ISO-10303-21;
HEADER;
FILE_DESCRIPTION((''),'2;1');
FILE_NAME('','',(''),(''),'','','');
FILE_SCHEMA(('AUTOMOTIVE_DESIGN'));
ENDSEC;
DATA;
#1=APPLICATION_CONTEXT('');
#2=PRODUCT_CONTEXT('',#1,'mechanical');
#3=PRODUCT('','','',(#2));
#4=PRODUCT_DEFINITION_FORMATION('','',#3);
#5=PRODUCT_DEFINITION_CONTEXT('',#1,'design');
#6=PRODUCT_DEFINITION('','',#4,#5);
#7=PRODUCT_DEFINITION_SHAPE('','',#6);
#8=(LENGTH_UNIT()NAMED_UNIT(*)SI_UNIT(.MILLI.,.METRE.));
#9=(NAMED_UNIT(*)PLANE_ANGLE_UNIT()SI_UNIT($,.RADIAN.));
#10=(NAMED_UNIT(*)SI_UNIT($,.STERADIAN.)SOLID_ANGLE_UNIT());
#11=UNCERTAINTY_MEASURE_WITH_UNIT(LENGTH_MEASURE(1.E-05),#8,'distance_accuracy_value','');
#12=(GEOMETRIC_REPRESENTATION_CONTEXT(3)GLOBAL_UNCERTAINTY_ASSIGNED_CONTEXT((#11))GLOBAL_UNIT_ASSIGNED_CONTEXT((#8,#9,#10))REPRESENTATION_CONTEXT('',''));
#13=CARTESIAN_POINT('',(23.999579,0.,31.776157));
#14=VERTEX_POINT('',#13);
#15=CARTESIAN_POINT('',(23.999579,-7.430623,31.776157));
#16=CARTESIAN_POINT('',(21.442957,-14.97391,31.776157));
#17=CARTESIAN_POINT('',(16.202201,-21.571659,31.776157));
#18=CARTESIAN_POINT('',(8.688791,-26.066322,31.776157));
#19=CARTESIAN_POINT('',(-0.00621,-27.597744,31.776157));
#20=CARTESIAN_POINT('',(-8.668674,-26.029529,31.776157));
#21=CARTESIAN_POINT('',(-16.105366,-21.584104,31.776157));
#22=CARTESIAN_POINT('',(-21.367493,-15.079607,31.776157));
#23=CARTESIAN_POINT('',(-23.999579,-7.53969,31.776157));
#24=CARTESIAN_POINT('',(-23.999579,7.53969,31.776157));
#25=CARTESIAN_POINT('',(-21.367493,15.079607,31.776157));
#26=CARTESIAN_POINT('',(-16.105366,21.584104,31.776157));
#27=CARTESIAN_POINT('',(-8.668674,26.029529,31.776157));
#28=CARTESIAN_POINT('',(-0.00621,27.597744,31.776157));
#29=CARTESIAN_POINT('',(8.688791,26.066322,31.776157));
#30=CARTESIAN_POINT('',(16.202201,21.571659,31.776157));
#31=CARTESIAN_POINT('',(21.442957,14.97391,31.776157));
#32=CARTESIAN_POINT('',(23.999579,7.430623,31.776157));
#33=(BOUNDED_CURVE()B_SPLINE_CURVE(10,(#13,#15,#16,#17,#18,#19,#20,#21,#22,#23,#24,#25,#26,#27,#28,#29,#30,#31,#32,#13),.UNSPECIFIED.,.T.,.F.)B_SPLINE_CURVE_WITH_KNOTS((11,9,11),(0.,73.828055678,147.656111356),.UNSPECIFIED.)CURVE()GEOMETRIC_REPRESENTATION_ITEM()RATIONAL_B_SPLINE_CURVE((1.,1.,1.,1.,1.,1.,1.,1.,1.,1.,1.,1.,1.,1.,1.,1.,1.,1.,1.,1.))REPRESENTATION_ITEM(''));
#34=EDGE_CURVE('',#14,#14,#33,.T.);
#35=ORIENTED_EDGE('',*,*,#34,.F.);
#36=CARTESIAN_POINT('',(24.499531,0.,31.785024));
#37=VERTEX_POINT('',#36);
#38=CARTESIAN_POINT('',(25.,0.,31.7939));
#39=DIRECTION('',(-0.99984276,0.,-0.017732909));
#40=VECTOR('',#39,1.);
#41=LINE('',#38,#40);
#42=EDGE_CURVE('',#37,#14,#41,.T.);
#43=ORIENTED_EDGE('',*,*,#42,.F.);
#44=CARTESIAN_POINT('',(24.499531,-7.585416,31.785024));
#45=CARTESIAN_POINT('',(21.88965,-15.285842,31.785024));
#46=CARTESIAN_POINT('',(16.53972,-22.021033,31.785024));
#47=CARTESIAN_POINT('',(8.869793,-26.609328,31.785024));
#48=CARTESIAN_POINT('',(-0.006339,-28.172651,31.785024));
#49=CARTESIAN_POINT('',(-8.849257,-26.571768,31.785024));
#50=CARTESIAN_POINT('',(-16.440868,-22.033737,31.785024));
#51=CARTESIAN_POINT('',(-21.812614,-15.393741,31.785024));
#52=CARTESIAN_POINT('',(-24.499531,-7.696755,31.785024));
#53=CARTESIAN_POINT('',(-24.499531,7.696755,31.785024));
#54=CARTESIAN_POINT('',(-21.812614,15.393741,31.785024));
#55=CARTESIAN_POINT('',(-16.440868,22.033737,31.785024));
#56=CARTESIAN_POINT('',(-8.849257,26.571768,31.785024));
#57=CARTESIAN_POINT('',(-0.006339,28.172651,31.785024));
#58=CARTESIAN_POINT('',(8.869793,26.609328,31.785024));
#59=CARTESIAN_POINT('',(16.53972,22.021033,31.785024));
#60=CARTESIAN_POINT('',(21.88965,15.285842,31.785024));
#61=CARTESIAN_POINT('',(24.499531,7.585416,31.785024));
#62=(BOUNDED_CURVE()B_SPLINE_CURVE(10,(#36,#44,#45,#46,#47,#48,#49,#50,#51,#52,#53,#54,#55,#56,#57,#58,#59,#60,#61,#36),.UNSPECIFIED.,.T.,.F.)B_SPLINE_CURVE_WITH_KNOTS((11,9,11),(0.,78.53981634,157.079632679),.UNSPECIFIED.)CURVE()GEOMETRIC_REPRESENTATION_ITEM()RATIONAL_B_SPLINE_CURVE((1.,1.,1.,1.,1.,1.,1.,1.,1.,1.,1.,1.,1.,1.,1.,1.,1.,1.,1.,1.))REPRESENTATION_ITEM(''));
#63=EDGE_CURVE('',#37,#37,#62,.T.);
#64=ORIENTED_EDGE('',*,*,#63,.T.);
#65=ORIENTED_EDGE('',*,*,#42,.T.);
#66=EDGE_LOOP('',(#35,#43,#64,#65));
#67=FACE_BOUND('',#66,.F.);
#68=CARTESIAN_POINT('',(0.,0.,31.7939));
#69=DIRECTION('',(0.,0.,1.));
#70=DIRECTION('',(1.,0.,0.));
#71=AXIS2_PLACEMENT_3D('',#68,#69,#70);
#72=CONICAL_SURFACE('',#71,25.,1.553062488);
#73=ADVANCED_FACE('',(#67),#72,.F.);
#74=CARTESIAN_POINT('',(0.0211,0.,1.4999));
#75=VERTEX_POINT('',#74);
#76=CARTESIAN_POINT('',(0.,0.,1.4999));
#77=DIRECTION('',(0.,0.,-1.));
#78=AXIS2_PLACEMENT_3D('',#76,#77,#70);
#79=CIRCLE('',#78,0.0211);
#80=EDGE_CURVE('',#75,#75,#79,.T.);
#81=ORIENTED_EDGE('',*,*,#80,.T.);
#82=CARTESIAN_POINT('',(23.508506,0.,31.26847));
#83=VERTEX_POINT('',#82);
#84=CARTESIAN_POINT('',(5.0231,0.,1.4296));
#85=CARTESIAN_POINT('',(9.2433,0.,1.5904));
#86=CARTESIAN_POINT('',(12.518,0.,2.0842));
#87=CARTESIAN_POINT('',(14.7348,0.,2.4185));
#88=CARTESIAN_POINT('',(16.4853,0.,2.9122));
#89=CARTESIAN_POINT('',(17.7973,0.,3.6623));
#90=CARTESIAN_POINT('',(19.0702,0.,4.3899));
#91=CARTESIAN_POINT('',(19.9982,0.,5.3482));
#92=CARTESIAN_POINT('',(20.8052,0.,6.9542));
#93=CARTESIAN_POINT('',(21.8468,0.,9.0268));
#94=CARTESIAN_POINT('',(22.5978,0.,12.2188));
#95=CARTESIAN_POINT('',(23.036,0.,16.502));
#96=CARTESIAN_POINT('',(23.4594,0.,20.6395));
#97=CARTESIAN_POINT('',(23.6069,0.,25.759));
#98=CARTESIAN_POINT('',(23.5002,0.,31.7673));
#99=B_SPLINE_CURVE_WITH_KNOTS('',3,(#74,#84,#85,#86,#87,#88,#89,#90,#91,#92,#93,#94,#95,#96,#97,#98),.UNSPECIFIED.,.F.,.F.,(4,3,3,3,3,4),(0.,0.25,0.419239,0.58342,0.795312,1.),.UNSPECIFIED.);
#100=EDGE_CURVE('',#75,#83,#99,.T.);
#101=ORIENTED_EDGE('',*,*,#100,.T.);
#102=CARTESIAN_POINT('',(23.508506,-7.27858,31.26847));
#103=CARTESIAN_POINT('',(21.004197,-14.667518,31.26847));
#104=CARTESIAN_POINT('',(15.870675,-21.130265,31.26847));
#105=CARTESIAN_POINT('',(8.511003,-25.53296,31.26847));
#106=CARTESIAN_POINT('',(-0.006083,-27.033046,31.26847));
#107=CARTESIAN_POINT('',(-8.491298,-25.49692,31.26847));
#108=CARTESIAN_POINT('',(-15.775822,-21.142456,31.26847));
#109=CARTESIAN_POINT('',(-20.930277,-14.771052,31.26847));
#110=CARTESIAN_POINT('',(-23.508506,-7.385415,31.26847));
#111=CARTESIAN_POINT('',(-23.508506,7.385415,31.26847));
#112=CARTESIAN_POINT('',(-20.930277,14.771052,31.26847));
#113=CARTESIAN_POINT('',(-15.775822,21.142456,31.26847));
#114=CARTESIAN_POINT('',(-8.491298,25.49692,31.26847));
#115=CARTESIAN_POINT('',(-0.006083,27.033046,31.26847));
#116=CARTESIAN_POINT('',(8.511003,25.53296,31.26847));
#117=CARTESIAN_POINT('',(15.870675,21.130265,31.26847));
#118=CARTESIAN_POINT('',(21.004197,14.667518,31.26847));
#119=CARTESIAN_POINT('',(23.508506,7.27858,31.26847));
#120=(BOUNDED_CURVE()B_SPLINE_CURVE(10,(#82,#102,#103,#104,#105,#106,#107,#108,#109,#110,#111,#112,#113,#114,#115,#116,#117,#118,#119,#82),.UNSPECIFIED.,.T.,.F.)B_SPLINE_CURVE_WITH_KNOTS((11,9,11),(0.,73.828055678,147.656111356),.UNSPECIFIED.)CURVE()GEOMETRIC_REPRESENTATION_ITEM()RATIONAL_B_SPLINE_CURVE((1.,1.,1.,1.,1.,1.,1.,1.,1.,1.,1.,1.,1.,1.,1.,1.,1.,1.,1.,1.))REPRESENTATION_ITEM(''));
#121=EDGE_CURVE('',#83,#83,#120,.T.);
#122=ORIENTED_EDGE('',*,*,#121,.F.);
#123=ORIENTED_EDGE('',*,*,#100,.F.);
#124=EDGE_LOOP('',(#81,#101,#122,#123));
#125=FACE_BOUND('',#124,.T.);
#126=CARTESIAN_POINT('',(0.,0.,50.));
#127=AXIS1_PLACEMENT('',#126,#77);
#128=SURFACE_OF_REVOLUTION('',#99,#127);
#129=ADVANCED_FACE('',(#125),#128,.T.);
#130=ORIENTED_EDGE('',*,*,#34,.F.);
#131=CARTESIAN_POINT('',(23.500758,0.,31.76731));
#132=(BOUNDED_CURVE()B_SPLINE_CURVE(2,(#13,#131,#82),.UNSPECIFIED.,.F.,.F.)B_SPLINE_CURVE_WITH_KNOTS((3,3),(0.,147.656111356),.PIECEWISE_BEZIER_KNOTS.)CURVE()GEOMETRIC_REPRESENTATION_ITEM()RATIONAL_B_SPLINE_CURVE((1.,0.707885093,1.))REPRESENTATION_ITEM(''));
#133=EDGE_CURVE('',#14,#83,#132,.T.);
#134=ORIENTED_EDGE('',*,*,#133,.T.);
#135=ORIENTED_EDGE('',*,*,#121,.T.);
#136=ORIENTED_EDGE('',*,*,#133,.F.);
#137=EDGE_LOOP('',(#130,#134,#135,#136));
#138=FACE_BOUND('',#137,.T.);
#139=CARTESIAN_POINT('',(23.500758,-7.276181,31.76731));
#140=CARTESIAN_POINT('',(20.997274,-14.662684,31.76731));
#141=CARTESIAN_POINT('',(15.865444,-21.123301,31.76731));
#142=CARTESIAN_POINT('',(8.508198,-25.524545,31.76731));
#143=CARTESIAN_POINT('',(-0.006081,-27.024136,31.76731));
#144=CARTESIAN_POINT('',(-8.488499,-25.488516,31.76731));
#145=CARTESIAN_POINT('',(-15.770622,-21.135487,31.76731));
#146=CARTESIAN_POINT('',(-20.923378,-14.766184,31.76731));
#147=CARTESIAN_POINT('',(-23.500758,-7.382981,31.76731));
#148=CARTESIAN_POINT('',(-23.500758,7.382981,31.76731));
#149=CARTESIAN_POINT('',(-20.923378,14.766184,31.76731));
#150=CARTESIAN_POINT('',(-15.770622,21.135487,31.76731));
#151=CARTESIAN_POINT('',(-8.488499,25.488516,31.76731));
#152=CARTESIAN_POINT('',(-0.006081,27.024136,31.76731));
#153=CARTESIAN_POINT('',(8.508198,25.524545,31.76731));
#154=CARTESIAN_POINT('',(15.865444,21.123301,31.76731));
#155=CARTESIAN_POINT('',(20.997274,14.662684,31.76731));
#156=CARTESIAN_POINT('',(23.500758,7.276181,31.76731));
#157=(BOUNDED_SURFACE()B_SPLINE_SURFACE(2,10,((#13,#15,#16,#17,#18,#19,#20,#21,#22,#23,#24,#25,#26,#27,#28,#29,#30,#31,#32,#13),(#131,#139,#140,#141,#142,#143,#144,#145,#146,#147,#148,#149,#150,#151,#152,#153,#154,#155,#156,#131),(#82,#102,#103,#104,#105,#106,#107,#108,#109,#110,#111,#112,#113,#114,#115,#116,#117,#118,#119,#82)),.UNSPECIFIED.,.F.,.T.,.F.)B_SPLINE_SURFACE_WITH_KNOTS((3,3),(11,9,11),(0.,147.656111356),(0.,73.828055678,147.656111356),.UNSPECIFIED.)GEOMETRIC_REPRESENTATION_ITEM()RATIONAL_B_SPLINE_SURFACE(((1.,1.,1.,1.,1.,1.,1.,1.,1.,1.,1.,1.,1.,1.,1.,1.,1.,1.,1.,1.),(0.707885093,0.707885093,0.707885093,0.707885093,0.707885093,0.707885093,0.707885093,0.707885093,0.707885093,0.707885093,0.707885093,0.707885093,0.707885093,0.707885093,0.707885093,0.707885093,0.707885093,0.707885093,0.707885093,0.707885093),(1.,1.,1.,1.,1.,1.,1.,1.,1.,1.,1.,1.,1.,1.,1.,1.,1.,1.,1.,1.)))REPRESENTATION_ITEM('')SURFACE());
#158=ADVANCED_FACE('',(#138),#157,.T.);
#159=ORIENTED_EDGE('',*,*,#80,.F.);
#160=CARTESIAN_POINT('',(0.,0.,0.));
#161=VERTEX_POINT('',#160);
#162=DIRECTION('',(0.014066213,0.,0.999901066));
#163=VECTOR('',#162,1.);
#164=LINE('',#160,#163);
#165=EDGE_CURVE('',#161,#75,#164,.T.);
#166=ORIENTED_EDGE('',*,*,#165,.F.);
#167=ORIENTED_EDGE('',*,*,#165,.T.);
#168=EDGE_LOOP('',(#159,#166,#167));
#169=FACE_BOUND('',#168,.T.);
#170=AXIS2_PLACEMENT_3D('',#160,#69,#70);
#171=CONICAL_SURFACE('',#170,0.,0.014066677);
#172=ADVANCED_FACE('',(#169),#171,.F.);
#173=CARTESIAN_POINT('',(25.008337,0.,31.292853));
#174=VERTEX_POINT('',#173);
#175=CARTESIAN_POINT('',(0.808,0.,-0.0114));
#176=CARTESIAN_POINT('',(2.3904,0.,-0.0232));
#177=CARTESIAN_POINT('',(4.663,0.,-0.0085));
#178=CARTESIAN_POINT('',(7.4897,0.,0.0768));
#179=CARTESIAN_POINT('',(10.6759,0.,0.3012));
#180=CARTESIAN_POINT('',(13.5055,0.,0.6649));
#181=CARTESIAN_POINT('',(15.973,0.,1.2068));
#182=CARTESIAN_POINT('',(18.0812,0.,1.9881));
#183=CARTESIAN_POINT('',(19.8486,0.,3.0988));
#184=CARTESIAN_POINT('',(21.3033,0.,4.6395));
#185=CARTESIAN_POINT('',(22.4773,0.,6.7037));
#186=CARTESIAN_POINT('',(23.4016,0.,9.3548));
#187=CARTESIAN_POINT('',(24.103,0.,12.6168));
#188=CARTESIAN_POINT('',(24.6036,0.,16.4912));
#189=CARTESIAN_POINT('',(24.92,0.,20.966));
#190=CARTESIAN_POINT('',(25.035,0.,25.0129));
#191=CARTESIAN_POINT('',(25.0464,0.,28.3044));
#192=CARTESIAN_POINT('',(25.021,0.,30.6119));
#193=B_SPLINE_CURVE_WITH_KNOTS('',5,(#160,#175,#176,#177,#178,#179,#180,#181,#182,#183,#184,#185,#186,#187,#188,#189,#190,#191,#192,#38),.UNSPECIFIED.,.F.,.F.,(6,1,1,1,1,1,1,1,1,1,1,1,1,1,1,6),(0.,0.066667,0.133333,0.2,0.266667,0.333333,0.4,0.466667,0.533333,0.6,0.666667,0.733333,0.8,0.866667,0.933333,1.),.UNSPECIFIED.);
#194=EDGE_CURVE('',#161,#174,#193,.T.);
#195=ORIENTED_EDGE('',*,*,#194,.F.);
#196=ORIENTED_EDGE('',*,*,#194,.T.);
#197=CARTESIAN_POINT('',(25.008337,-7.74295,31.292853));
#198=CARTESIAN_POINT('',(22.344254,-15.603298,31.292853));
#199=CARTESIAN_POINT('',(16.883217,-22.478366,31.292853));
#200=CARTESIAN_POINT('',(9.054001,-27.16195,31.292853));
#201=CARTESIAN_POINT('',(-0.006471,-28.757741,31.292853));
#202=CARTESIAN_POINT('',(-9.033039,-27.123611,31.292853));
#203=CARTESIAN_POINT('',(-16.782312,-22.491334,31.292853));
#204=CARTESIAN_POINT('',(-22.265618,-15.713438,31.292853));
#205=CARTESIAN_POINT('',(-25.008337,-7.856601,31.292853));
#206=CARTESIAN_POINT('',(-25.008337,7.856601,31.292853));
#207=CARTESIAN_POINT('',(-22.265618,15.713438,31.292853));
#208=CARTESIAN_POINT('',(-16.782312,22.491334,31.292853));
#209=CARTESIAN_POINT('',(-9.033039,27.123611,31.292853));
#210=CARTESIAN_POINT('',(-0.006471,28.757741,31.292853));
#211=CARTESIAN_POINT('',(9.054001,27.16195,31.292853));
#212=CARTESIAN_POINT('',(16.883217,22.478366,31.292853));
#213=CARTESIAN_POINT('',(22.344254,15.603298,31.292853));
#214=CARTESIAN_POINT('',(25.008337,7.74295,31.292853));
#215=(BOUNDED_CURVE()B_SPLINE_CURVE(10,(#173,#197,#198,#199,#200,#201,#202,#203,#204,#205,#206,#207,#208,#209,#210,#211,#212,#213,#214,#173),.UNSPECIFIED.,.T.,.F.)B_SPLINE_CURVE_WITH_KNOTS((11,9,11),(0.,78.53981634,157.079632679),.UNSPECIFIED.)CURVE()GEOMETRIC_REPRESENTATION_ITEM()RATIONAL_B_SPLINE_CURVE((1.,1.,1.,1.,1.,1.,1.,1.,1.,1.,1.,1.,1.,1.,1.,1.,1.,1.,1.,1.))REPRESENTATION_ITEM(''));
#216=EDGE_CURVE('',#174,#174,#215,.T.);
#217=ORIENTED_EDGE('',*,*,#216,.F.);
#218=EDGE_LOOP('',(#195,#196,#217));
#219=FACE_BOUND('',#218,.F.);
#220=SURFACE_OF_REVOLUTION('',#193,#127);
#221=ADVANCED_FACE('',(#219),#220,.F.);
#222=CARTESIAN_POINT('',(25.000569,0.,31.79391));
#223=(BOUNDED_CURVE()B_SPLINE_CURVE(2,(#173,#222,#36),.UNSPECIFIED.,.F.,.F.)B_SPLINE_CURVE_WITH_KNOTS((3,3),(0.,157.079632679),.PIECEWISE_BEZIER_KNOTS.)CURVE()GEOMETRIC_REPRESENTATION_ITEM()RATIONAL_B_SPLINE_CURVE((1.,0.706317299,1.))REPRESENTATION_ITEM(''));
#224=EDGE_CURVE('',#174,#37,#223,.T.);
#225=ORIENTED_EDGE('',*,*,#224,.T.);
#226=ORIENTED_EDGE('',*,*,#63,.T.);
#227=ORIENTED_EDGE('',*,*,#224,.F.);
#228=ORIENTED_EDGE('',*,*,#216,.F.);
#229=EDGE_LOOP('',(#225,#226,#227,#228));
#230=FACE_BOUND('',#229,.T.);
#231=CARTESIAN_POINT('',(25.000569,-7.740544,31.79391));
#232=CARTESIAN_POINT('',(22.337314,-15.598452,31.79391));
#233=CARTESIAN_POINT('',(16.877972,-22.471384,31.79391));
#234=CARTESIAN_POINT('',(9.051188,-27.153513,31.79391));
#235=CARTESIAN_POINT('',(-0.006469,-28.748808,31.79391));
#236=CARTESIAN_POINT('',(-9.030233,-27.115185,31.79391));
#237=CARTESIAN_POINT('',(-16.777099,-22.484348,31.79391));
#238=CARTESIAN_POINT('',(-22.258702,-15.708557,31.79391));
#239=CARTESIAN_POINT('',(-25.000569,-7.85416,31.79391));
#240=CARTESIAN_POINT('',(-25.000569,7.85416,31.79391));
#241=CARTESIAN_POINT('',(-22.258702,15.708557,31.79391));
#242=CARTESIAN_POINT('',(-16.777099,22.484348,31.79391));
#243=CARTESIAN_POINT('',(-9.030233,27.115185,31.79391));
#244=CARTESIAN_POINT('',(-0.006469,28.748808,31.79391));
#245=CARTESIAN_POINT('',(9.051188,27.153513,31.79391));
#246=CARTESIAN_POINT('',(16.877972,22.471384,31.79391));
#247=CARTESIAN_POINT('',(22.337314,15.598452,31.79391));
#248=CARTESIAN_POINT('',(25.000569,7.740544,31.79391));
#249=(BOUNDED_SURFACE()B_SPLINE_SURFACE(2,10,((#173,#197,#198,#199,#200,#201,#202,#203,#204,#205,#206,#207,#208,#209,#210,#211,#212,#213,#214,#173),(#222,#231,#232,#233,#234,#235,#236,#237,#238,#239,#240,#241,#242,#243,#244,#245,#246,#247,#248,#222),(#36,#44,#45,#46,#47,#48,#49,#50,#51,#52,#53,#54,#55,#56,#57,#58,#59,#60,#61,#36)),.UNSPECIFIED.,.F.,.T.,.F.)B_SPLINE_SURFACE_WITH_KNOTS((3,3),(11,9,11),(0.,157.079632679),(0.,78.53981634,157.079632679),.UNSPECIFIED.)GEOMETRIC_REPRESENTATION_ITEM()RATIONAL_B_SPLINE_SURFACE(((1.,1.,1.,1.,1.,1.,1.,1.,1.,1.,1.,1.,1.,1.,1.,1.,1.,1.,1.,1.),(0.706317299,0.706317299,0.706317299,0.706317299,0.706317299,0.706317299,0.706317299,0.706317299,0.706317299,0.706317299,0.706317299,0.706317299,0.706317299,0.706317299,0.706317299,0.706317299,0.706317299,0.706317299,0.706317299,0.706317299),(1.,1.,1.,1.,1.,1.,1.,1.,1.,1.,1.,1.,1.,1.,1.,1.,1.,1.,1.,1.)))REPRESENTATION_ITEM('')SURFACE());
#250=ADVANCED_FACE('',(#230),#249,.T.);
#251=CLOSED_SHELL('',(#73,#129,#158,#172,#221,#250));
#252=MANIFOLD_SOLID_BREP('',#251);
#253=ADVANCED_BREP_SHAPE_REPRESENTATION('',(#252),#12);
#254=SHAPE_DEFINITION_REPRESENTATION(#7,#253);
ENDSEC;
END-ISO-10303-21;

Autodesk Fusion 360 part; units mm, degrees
sketch "Sketch1" plane through (0, 0, 0) normal (0, 1, 0) x (1, 0, 0) in component "Component"
  line L0 (0, 0) -> (25, 0) construction
  line L1 (25, 0) -> (25, -50) construction
  line L2 (25, -50) -> (0, -50) construction
  line L3 (0, -50) -> (0, 0) construction
  spline S0 degree 5 poles (0, 0) (0.808, 0.0114) (2.3904, 0.0232) (4.663, 0.0085) (7.4897, -0.0768) (10.6759, -0.3012) (13.5055, -0.6649) (15.973, -1.2068) (18.0812, -1.9881) (19.8486, -3.0988) (21.3033, -4.6395) (22.4773, -6.7037) (23.4016, -9.3548) (24.103, -12.6168) (24.6036, -16.4912) (24.92, -20.966) (25.035, -25.0129) (25.0464, -28.3044) (25.021, -30.6119) (25, -31.7939) knots 0 0 0 0 0 0 0.066667 0.133333 0.2 0.266667 0.333333 0.4 0.466667 0.533333 0.6 0.666667 0.733333 0.8 0.866667 0.933333 1 1 1 1 1 1
  spline S1 degree 3 poles (0.0211, -1.4999) (5.0231, -1.4296) (9.2433, -1.5904) (12.518, -2.0842) (14.7348, -2.4185) (16.4853, -2.9122) (17.7973, -3.6623) (19.0702, -4.3899) (19.9982, -5.3482) (20.8052, -6.9542) (21.8468, -9.0268) (22.5978, -12.2188) (23.036, -16.502) (23.4594, -20.6395) (23.6069, -25.759) (23.5002, -31.7673) knots 0 0 0 0 0.25 0.25 0.25 0.419239 0.419239 0.419239 0.58342 0.58342 0.58342 0.795312 0.795312 0.795312 1 1 1 1
  line L4 (0, 0) -> (0.0211, -1.4999)
  line L5 (25, -31.7939) -> (23.5002, -31.7673)
  point P0 (16.0185, -1.307)
  point P1 (22, -6)
  dimension "d1" = 25
  dimension "d2" = 50
  dimension "d3" = 1.5
revolve "Revolve1" add sketch "Sketch1" angle 360 about axis through (0, 0, 50) along (0, 0, -1) in component "Component"
fillet "Fillet1" radius 0.5 2 edges at (-21.9099, -8.498, 31.7673) (-23.3082, -9.0404, 31.7939) in component "Component"
component "Component" placed x (1, 0, 0) y (0, 1, 0) z (0, 0, 1) at (0, 0, 0)
